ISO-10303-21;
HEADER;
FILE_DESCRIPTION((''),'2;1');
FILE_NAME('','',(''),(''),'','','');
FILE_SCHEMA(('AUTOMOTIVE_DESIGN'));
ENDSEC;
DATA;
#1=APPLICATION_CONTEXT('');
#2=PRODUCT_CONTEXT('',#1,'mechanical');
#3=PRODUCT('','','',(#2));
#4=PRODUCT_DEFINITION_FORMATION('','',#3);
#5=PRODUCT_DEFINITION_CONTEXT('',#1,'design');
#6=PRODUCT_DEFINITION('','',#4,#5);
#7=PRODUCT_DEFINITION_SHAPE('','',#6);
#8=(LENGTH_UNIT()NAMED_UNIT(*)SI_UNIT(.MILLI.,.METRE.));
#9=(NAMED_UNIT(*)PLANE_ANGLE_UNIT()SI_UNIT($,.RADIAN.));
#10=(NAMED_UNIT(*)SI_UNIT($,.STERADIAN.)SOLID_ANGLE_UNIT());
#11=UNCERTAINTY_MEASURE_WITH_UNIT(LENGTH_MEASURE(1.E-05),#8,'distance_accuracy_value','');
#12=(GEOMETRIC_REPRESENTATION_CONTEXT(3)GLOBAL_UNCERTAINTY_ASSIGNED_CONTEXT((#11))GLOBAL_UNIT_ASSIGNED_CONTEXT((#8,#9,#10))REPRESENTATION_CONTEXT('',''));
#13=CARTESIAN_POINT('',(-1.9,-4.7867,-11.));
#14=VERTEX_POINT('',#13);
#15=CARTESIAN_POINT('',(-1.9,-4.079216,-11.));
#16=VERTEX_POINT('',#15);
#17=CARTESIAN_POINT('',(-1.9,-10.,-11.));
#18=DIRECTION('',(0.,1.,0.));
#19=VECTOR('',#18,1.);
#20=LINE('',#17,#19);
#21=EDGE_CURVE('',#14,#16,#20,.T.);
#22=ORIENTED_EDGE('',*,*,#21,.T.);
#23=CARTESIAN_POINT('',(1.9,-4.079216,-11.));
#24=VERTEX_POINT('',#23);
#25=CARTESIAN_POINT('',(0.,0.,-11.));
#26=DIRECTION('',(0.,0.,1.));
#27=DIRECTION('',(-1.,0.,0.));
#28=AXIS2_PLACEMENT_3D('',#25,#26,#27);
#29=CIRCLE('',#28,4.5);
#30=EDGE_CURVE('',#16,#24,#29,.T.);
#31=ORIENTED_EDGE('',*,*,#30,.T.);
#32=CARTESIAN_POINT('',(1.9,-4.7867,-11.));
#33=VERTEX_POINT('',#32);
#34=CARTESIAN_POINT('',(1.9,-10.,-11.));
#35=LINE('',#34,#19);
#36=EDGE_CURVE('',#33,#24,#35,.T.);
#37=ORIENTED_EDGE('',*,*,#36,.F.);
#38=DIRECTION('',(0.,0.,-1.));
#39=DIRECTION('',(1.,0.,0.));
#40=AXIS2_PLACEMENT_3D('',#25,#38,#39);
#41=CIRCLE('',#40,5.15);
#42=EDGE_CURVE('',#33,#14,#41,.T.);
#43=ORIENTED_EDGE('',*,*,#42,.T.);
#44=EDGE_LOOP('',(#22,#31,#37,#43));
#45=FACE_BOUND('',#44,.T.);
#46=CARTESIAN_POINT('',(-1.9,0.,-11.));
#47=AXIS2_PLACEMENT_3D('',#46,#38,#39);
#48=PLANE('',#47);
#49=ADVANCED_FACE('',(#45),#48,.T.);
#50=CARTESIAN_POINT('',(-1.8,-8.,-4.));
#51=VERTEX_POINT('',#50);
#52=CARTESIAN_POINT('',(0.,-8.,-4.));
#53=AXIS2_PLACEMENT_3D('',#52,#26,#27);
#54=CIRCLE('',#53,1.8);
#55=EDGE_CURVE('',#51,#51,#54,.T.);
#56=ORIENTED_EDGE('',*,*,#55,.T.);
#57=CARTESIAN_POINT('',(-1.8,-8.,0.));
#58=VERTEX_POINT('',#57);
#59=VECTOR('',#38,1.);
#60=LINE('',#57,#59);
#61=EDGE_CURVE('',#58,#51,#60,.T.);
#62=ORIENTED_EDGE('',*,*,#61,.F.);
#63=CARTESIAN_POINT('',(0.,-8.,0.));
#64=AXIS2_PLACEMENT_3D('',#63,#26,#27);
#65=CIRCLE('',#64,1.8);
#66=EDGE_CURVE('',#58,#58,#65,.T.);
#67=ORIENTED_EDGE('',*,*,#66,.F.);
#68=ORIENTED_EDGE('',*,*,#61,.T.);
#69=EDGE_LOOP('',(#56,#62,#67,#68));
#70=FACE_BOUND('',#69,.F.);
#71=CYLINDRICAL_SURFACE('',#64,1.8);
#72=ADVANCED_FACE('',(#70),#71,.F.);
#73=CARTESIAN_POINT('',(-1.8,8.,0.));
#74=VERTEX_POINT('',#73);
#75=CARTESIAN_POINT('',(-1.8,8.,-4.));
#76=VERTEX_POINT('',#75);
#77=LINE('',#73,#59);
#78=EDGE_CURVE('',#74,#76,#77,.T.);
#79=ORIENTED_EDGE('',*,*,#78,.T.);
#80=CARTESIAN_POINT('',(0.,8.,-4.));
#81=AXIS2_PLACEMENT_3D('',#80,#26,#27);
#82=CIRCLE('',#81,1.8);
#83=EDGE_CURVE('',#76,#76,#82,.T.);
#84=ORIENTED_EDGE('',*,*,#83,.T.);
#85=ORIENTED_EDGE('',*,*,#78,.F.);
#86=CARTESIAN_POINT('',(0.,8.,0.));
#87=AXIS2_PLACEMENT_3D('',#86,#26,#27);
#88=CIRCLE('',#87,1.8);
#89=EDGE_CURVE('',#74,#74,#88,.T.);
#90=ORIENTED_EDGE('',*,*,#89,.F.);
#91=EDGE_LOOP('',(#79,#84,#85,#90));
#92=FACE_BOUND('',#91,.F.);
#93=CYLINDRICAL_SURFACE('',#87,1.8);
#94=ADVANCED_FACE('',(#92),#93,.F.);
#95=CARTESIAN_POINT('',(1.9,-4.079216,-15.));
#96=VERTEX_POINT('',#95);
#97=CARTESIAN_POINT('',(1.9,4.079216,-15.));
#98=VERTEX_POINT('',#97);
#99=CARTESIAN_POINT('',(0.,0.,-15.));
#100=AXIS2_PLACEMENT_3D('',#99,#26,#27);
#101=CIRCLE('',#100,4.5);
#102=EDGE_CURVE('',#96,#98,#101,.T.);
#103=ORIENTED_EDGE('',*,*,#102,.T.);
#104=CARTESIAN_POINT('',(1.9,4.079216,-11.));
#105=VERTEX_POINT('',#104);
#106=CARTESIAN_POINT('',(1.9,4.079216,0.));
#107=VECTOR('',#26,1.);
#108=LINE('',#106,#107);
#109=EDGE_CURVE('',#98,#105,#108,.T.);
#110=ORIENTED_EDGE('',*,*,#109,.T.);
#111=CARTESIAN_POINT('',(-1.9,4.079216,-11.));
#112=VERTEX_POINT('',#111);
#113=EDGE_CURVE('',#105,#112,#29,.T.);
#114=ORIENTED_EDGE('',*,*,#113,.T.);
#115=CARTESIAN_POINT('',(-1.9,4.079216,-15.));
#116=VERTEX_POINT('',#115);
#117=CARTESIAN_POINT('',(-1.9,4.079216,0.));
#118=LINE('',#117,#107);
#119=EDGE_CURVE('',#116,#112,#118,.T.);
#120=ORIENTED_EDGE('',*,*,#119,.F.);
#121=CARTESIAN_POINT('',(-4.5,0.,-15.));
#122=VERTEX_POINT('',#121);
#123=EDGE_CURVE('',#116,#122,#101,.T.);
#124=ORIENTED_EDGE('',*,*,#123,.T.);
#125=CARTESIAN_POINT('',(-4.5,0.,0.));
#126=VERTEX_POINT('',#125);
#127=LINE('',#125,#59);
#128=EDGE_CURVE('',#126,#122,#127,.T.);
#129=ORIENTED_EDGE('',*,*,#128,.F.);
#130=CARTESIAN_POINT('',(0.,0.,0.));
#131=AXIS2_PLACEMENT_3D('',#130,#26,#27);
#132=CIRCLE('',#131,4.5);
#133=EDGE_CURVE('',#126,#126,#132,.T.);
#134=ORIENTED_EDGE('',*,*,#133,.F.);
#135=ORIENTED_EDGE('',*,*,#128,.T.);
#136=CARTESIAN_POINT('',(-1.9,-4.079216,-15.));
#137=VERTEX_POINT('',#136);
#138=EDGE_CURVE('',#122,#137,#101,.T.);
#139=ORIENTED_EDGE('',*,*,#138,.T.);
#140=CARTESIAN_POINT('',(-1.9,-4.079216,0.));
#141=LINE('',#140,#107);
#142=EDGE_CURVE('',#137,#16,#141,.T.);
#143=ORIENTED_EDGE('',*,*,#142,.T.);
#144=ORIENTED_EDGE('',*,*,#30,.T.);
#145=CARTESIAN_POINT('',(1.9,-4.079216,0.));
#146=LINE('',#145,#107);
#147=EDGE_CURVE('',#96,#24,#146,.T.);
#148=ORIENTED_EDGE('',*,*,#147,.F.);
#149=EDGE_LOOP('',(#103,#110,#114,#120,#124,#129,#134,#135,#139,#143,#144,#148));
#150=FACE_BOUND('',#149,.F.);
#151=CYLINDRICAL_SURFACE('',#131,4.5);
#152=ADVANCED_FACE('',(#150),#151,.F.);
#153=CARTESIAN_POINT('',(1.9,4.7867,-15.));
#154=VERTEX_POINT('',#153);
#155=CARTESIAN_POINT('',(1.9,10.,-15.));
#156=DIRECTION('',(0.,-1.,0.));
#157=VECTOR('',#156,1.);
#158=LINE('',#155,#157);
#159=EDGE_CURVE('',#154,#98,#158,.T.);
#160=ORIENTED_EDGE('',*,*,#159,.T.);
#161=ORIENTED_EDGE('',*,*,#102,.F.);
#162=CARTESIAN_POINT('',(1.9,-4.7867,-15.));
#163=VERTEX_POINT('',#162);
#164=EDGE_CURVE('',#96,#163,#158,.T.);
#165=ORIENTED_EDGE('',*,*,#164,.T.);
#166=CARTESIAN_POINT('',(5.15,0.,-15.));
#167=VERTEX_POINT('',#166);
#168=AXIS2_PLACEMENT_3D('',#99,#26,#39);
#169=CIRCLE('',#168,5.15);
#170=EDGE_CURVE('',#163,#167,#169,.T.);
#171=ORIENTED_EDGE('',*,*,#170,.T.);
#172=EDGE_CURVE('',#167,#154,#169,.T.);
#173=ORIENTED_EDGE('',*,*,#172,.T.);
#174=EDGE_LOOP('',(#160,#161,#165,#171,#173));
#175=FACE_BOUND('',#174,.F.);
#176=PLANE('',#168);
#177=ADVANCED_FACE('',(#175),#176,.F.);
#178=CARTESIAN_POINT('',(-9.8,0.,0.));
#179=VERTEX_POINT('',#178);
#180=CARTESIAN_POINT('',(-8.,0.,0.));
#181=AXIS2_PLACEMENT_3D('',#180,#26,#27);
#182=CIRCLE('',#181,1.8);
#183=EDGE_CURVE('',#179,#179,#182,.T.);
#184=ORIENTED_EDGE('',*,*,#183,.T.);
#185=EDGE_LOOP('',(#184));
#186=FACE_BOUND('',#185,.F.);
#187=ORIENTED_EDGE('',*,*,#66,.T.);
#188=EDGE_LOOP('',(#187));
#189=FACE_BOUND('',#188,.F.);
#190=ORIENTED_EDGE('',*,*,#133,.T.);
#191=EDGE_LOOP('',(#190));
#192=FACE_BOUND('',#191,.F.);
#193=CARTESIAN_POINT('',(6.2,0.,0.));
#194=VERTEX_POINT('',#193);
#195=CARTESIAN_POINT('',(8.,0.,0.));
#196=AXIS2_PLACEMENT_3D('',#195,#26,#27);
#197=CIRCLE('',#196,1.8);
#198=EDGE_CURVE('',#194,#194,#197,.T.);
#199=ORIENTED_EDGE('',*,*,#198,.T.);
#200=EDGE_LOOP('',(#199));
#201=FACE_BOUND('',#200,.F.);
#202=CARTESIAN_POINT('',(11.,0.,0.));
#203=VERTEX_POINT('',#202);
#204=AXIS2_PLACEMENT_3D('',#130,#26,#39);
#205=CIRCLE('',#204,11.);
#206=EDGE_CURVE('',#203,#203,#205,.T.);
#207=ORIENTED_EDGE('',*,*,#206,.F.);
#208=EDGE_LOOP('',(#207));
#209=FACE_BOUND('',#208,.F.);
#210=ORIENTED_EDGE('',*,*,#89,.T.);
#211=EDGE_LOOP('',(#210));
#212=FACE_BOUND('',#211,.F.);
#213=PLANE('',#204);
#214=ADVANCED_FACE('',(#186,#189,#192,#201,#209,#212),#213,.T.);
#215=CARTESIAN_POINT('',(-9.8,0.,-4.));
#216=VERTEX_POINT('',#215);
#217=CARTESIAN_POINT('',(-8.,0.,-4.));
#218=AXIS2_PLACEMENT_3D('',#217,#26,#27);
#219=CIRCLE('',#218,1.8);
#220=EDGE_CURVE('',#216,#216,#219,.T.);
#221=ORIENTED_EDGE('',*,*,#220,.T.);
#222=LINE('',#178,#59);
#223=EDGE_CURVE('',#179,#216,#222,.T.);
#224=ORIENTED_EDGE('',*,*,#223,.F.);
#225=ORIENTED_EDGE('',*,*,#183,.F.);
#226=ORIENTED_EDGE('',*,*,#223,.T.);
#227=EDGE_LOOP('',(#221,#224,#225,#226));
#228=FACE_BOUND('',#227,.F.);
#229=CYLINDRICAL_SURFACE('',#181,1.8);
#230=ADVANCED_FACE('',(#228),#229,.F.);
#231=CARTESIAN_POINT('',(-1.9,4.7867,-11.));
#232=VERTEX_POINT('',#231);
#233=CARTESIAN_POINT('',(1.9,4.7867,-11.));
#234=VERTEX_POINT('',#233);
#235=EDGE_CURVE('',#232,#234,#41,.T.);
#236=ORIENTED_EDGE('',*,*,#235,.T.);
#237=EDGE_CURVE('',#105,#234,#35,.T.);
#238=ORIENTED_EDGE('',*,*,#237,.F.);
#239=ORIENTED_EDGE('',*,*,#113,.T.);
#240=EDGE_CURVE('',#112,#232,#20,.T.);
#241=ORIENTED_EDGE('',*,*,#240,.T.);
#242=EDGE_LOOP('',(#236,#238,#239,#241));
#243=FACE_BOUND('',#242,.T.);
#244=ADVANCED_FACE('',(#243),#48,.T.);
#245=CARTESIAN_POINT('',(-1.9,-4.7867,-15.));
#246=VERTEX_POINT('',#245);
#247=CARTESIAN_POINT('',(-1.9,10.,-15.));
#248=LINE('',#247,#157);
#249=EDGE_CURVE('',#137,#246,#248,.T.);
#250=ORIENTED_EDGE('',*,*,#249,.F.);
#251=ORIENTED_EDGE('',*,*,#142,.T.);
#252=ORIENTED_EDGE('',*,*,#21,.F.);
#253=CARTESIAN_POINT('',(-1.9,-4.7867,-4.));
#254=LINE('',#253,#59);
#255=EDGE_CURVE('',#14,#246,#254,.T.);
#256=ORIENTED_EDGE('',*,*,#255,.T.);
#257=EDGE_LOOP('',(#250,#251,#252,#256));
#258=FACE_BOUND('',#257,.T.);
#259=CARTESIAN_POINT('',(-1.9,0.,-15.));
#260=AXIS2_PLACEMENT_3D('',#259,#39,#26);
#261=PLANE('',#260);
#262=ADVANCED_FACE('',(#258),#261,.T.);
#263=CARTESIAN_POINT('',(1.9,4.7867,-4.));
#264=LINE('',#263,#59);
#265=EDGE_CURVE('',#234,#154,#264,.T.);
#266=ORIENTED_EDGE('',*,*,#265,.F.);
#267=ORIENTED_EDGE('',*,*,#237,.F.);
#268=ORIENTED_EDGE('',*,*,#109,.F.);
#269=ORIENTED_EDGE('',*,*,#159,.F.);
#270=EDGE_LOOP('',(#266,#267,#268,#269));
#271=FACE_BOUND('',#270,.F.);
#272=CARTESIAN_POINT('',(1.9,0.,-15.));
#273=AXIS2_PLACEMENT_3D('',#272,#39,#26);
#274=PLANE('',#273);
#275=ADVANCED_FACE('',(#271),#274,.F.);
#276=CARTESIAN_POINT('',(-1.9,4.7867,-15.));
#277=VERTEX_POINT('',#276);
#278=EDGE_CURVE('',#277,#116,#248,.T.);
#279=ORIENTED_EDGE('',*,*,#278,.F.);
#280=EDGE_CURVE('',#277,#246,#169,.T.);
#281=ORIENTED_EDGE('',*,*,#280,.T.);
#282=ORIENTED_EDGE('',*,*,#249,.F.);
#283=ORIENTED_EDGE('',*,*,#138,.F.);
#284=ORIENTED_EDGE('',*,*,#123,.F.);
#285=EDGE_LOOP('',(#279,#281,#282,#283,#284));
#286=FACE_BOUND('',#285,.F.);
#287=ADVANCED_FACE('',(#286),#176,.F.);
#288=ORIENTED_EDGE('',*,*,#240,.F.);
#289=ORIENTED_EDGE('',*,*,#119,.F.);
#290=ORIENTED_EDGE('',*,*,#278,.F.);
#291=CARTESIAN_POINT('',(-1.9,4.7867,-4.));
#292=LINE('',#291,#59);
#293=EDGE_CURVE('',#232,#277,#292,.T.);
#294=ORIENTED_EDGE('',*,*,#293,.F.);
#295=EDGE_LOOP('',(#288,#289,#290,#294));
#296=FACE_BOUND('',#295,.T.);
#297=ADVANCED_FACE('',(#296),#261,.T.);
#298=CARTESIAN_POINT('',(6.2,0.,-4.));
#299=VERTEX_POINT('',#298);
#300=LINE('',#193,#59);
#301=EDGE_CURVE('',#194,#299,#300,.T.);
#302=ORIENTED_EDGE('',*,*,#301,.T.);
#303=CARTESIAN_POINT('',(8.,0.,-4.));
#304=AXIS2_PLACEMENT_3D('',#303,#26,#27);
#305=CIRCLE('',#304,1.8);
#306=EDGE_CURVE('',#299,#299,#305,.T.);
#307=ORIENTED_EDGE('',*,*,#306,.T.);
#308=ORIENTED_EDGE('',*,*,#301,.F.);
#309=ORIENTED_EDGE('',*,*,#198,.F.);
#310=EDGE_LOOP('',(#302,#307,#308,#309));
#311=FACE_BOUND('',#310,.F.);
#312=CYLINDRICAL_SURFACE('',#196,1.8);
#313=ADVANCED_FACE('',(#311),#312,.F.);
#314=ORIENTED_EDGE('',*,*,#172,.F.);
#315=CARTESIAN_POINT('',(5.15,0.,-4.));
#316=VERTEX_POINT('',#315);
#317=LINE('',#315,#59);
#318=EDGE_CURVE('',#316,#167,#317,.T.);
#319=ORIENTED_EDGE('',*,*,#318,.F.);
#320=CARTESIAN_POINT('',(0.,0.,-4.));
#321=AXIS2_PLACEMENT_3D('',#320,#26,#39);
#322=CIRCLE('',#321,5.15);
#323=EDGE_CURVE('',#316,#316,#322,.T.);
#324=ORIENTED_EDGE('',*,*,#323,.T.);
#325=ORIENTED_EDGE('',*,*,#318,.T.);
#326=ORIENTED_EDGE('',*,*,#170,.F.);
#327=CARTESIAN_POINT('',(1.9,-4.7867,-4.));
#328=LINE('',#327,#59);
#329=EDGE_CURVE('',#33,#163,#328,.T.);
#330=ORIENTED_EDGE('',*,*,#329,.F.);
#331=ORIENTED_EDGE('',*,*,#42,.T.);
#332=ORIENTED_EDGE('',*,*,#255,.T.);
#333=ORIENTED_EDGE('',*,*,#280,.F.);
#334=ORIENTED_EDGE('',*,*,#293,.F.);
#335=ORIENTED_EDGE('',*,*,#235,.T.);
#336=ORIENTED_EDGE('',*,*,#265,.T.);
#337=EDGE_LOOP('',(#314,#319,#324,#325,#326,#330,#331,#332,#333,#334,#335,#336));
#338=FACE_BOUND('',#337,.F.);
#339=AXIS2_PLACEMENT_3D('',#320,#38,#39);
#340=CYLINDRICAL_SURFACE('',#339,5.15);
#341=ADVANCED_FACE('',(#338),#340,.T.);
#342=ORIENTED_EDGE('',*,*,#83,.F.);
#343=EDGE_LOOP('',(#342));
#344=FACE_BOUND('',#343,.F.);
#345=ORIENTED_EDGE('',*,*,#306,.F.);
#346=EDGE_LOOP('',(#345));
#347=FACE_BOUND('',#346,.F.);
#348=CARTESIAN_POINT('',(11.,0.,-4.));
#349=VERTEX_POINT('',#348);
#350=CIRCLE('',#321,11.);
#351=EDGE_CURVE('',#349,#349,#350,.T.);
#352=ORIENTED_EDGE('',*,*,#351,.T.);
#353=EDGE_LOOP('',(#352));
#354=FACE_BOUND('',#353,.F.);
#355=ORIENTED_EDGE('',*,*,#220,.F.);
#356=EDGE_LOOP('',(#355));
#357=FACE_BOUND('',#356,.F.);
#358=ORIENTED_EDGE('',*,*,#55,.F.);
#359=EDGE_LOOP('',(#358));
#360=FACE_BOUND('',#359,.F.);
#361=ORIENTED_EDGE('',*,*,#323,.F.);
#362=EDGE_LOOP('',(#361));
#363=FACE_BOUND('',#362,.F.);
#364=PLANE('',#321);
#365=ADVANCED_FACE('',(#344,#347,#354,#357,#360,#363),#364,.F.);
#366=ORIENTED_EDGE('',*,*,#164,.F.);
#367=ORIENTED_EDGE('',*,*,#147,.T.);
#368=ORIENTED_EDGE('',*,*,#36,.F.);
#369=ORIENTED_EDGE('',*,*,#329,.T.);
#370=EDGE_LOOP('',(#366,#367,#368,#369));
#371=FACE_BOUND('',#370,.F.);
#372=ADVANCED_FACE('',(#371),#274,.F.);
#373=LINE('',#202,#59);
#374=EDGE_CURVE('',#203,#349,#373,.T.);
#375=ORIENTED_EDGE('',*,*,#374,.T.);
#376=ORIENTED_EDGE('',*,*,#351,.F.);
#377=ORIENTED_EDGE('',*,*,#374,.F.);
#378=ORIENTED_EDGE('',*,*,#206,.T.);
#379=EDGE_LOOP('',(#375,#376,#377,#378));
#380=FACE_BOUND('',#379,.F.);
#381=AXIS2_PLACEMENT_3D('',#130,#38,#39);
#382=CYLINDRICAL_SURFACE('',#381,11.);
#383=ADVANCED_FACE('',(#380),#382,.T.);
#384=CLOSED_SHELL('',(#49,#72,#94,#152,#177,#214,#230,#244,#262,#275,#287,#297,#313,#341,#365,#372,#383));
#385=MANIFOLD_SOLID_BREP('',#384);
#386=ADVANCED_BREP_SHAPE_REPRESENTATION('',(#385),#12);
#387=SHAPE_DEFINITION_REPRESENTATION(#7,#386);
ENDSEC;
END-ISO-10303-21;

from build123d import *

# Parameters (mm, degrees)
SKETCH001_R   = 4.5
HOLE_DEPTH    = 25
SKETCH002_W   = 3.8
SKETCH002_H   = 4
POCKET_DEPTH  = 10
SKETCH003_R   = 1.8
HOLE001_DEPTH = 25


with BuildPart() as part:
    # Sketch → Revolution (revolve)
    with BuildSketch(Plane.XZ):
        Polygon((0, 0), (11, 0), (11, -4), (5.15, -4), (5.15, -15), (0, -15), align=None)
    revolve(axis=Axis((0, 0, 0), (0, 0, 1)))

    # Sketch001 (on Face1 of Revolution) → Hole (cut)
    with BuildSketch(Plane(origin=(0, 0, 0), x_dir=(-1, 0, 0), z_dir=(0, 0, 1))):
        Circle(SKETCH001_R)
    extrude(amount=-HOLE_DEPTH, mode=Mode.SUBTRACT)

    # Sketch002 → Pocket (cut, symmetric)
    with BuildSketch(Plane.XZ):
        with Locations((0, -13)):
            Rectangle(SKETCH002_W, SKETCH002_H)
    extrude(amount=POCKET_DEPTH, both=True, mode=Mode.SUBTRACT)

    # Sketch003 (on Face1 of Pocket) → Hole001 (cut)
    with BuildSketch(Plane(origin=(0, 0, 0), x_dir=(-1, 0, 0), z_dir=(0, 0, 1))):
        with Locations((0, 8)):
            Circle(SKETCH003_R)
        with Locations((-8, 0)):
            Circle(SKETCH003_R)
        with Locations((0, -8)):
            Circle(SKETCH003_R)
        with Locations((8, 0)):
            Circle(SKETCH003_R)
    extrude(amount=-HOLE001_DEPTH, mode=Mode.SUBTRACT)


solid = part.part
